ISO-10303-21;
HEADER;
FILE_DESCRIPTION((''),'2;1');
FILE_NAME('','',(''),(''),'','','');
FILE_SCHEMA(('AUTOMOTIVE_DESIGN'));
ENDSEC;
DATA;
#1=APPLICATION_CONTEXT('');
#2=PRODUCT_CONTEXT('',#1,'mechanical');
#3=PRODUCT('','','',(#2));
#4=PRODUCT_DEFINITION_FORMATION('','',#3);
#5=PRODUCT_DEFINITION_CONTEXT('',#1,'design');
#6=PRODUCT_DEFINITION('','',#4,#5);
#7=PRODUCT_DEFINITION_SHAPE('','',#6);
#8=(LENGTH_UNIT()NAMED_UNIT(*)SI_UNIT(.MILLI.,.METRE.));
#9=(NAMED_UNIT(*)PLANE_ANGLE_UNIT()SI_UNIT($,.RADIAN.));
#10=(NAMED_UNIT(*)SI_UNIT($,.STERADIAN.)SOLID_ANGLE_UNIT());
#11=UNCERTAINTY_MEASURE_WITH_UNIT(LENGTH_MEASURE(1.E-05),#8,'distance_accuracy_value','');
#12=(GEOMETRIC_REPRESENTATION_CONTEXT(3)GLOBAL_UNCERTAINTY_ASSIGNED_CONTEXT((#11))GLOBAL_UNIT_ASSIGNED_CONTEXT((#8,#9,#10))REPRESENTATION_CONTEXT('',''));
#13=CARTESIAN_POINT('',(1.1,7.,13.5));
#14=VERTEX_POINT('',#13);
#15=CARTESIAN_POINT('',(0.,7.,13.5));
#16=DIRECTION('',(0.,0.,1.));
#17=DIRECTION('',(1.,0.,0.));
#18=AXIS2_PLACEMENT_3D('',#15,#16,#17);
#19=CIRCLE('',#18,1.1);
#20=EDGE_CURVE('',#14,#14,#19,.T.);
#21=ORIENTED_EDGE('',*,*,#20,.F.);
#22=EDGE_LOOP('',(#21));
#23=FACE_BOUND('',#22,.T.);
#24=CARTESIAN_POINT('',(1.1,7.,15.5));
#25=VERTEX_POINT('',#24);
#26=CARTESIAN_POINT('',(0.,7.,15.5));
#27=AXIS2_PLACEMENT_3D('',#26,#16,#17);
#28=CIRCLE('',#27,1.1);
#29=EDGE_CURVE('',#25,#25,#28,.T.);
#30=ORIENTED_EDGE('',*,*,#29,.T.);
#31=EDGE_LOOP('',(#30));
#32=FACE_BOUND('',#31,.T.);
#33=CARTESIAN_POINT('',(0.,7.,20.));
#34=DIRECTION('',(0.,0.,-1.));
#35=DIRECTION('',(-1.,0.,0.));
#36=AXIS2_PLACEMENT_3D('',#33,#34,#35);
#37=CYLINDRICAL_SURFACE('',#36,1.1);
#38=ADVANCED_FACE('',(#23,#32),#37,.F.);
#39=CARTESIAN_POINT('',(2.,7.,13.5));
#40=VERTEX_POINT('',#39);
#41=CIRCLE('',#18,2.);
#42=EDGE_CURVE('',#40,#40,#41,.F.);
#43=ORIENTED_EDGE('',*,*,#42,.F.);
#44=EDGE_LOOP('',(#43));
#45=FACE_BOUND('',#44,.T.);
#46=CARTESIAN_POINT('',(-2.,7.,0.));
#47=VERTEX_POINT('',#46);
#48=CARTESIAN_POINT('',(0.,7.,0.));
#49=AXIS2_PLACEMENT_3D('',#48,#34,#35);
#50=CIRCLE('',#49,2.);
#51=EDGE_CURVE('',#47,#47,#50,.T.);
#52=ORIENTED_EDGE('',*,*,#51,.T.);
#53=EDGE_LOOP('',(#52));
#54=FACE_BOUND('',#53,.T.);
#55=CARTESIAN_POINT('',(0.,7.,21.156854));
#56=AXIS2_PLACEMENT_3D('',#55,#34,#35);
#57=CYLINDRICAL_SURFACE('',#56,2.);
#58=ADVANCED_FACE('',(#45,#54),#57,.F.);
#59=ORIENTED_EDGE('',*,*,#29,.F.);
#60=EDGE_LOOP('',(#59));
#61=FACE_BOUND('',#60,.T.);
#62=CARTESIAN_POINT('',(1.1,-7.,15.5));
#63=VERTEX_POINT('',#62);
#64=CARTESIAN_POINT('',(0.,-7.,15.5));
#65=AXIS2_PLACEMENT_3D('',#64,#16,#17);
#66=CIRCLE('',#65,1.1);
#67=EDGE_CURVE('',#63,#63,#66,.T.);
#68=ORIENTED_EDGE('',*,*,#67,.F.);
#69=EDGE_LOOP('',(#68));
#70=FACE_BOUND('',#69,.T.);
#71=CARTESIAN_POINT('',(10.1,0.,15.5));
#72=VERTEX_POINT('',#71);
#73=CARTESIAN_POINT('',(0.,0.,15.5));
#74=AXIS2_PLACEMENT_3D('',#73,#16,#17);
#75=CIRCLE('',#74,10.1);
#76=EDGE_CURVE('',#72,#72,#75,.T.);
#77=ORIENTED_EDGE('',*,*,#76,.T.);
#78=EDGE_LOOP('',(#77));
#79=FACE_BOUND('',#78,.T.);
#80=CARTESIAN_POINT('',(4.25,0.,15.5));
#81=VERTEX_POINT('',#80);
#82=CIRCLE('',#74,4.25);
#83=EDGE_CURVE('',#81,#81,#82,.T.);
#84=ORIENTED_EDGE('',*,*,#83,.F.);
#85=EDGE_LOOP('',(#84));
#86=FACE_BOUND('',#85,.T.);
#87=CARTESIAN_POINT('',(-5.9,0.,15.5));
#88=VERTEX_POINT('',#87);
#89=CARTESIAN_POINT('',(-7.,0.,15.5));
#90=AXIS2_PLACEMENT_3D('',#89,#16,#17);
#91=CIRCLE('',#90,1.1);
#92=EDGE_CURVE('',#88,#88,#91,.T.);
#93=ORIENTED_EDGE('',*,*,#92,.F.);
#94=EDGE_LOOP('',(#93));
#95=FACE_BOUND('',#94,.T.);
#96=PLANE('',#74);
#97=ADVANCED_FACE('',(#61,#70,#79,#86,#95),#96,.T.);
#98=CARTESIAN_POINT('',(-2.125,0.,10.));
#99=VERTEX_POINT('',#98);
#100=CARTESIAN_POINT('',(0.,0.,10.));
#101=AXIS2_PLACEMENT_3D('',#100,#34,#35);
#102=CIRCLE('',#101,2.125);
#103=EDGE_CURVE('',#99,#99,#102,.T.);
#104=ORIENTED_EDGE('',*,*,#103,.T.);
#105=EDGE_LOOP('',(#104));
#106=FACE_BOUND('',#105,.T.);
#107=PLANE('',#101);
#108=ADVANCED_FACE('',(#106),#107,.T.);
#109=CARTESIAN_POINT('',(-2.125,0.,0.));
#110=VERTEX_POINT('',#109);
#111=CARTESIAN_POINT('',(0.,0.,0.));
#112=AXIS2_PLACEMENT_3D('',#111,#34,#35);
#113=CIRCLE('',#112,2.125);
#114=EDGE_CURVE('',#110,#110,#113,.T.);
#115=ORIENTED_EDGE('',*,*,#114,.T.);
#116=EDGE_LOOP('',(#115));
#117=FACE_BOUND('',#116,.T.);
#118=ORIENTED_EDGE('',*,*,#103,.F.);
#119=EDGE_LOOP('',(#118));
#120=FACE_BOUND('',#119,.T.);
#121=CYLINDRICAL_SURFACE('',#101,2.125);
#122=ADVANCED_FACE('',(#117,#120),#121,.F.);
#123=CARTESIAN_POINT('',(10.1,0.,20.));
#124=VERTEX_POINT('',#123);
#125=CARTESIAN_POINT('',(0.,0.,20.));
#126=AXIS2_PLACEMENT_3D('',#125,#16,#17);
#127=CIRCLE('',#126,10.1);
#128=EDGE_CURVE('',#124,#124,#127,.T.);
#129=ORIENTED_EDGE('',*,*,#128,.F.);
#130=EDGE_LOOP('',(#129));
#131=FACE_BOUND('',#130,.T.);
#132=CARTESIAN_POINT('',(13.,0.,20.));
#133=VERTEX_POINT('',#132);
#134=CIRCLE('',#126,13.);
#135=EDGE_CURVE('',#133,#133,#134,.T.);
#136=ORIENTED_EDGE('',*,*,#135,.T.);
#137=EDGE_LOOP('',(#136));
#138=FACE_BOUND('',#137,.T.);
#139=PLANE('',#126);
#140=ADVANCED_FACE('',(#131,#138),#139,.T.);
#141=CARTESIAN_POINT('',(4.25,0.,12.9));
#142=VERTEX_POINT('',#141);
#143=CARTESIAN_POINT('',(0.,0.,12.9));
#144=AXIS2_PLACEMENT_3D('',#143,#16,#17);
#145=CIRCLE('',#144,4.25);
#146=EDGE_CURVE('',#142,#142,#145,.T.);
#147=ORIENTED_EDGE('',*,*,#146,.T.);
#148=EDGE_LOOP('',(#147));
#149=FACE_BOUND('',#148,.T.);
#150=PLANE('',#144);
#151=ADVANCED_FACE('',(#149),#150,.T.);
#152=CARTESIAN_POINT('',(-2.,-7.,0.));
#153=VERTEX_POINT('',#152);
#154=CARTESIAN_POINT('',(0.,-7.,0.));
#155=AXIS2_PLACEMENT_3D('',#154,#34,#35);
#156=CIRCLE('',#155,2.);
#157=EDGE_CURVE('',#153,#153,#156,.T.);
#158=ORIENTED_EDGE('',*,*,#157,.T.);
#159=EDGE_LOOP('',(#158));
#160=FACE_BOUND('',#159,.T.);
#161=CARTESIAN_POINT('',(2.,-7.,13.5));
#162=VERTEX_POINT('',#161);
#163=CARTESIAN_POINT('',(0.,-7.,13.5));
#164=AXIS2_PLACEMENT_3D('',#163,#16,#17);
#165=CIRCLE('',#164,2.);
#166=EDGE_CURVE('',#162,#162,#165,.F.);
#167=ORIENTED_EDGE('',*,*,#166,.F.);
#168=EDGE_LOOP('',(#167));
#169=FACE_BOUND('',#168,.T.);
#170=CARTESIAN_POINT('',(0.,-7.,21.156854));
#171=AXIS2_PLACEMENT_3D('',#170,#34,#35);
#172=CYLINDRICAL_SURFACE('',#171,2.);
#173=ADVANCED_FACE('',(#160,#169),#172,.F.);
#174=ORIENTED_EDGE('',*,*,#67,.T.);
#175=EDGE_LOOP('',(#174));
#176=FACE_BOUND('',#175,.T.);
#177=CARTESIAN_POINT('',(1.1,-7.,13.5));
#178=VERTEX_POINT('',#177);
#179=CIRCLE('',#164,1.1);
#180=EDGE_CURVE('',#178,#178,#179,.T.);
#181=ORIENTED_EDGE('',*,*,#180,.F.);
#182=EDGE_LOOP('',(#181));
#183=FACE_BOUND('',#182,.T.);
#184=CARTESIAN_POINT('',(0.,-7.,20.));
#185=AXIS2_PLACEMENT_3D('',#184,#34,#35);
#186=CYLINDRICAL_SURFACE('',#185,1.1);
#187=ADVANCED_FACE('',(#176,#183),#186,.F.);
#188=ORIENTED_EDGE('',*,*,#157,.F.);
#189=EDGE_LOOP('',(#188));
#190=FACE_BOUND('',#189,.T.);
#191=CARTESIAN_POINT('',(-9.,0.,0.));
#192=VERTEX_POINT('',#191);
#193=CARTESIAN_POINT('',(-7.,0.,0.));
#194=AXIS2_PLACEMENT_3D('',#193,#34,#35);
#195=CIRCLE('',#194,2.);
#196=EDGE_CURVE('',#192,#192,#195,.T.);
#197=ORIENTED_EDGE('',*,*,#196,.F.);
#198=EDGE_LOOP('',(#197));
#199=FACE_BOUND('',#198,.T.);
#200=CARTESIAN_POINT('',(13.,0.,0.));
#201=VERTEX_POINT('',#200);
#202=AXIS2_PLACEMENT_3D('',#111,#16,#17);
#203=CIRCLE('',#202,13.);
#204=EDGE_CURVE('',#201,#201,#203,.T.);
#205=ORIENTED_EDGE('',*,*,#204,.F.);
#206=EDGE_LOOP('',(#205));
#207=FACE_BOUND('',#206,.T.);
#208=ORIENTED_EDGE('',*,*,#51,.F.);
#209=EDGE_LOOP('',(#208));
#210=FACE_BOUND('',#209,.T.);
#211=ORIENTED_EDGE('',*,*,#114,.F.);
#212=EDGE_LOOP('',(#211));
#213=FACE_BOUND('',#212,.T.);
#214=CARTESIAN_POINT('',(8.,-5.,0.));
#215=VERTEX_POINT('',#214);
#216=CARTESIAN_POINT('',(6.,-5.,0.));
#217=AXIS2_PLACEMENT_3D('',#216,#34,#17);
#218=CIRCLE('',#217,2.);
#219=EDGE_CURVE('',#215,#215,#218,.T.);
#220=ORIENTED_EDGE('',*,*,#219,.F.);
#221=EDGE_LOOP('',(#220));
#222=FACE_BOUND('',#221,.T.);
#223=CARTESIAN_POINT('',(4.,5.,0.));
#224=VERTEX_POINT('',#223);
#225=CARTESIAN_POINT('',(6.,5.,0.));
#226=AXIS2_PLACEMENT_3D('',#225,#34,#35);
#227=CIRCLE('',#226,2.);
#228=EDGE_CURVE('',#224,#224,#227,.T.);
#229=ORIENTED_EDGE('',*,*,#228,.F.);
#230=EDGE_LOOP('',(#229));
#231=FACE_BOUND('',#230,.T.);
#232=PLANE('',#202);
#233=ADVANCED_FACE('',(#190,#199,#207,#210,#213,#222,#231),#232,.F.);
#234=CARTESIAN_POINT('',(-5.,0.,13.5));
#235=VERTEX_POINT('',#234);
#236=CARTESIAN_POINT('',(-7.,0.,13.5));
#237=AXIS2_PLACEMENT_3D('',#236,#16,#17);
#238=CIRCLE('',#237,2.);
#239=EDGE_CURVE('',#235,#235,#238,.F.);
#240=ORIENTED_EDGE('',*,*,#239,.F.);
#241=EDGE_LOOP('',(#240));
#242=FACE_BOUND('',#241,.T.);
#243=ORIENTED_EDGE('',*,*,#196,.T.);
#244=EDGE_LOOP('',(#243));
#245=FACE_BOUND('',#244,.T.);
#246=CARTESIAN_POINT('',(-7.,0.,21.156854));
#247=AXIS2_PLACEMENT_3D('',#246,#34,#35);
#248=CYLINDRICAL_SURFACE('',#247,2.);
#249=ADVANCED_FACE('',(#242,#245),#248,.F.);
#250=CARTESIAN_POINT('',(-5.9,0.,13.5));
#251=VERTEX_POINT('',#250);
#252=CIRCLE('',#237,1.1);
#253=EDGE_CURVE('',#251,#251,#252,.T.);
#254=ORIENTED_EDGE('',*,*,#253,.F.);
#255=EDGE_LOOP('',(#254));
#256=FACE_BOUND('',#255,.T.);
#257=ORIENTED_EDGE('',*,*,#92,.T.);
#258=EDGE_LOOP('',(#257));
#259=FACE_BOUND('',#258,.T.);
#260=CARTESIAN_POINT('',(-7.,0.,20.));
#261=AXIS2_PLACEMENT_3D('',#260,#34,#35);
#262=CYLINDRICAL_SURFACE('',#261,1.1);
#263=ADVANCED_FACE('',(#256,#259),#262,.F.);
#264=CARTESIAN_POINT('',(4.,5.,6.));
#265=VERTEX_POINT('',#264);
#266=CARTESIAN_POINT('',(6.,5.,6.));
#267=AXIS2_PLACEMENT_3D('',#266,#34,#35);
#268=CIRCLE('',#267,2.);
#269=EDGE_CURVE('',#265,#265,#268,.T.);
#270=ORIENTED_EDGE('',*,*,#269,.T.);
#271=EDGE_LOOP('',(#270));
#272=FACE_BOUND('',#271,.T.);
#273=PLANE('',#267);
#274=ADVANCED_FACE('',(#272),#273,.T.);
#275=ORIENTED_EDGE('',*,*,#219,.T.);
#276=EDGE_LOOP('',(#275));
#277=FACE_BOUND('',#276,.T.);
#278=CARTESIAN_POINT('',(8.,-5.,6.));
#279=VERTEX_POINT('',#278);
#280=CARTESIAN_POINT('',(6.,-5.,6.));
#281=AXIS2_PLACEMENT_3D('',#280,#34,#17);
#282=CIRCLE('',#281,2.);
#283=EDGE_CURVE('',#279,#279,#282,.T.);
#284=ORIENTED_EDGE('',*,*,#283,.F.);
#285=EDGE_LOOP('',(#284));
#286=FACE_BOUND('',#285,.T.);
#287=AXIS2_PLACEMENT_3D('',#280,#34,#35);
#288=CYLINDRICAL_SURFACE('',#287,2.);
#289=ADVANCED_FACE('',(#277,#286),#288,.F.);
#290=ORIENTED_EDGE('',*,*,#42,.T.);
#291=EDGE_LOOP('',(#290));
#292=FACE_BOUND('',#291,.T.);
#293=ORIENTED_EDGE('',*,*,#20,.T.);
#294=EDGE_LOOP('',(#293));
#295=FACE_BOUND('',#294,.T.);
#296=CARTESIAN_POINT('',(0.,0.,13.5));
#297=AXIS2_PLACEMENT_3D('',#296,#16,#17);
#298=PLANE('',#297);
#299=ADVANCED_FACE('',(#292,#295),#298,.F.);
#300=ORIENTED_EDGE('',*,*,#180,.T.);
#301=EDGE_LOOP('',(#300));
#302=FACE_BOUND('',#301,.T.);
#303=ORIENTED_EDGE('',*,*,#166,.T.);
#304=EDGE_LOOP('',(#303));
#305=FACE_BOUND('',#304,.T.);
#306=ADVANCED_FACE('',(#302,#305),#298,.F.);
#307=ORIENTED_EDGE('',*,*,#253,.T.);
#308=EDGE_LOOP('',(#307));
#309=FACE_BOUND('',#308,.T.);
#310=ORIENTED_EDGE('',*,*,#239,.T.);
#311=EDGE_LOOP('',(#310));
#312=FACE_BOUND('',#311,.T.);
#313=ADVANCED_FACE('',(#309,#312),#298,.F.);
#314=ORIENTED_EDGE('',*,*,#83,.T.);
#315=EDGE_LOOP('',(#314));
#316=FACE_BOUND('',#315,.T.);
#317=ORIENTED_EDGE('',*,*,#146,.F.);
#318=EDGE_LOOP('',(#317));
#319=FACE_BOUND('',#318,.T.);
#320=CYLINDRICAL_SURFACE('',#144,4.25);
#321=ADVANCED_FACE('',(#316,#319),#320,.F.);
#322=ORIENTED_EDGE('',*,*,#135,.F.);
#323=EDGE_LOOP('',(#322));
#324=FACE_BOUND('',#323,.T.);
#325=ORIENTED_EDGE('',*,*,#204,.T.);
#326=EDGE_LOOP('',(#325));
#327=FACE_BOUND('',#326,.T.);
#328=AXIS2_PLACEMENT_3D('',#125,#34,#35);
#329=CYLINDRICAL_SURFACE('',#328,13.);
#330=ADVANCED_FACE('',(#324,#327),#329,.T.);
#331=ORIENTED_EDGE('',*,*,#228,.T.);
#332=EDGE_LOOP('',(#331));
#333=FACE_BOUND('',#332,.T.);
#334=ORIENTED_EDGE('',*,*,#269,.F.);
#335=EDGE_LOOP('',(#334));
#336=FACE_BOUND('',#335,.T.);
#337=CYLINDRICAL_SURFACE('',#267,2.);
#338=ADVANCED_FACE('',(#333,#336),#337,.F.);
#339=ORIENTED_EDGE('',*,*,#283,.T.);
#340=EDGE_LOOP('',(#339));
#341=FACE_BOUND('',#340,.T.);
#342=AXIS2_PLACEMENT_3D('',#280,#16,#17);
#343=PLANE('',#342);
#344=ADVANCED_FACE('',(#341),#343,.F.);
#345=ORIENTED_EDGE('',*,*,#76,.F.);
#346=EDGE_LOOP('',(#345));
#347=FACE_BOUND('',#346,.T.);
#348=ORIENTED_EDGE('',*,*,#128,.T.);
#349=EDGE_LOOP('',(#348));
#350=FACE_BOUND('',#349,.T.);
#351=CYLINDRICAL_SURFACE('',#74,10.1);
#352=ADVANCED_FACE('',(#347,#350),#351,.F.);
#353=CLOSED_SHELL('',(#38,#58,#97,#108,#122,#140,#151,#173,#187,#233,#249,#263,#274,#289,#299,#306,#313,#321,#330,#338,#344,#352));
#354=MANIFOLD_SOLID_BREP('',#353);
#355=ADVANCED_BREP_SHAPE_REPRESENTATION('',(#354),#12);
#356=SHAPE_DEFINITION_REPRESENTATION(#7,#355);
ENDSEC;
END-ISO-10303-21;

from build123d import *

# Parameters (mm, degrees)
SKETCH1_R           = 13
BOSS_EXTRUDE1_DEPTH = 20
SKETCH2_R           = 10.1
CUT_EXTRUDE1_DEPTH  = 4.5
SKETCH3_R           = 4.25
CUT_EXTRUDE2_DEPTH  = 2.6
SKETCH4_R           = 2.125
CUT_EXTRUDE3_DEPTH  = 10
SKETCH5_R           = 2
CUT_EXTRUDE4_DEPTH  = 13.5
SKETCH6_R           = 1.1
CUT_EXTRUDE5_DEPTH  = 28.166155414
SKETCH7_R           = 2
CUT_EXTRUDE6_DEPTH  = 6


with BuildPart() as part:
    # Sketch1 → Boss-Extrude1 (new body)
    with BuildSketch(Plane.XY):
        Circle(SKETCH1_R)
    extrude(amount=BOSS_EXTRUDE1_DEPTH)

    # Sketch2 → Cut-Extrude1 (cut)
    with BuildSketch(Plane.XY.offset(20)):
        Circle(SKETCH2_R)
    extrude(amount=-CUT_EXTRUDE1_DEPTH, mode=Mode.SUBTRACT)

    # Sketch3 → Cut-Extrude2 (cut)
    with BuildSketch(Plane.XY.offset(15.5)):
        Circle(SKETCH3_R)
    extrude(amount=-CUT_EXTRUDE2_DEPTH, mode=Mode.SUBTRACT)

    # Sketch4 → Cut-Extrude3 (cut)
    with BuildSketch(Plane(origin=(0, 0, 0), x_dir=(-1, 0, 0), z_dir=(0, 0, -1))):
        Circle(SKETCH4_R)
    extrude(amount=-CUT_EXTRUDE3_DEPTH, mode=Mode.SUBTRACT)

    # Sketch5 → Cut-Extrude4 (cut)
    with BuildSketch(Plane(origin=(0, 0, 0), x_dir=(-1, 0, 0), z_dir=(0, 0, -1))):
        with Locations((0, 7)):
            Circle(SKETCH5_R)
        with Locations((7, 0)):
            Circle(SKETCH5_R)
        with Locations((0, -7)):
            Circle(SKETCH5_R)
    extrude(amount=-CUT_EXTRUDE4_DEPTH, mode=Mode.SUBTRACT)

    # Sketch6 → Cut-Extrude5 (cut, through all)
    with BuildSketch(Plane(origin=(0, 0, 0), x_dir=(-1, 0, 0), z_dir=(0, 0, -1))):
        with Locations(Location((0, 7, 0), (0, 0, 180))):
            Circle(SKETCH6_R)
        with Locations(Location((7, 0, 0), (0, 0, 180))):
            Circle(SKETCH6_R)
        with Locations(Location((0, -7, 0), (0, 0, 180))):
            Circle(SKETCH6_R)
    extrude(amount=-CUT_EXTRUDE5_DEPTH, mode=Mode.SUBTRACT)

    # Sketch7 → Cut-Extrude6 (cut)
    with BuildSketch(Plane(origin=(0, 0, 0), x_dir=(-1, 0, 0), z_dir=(0, 0, -1))):
        with Locations((-6, 5)):
            Circle(SKETCH7_R)
        with Locations(Location((-6, -5, 0), (0, 0, 180))):
            Circle(SKETCH7_R)
    extrude(amount=-CUT_EXTRUDE6_DEPTH, mode=Mode.SUBTRACT)


solid = part.part
